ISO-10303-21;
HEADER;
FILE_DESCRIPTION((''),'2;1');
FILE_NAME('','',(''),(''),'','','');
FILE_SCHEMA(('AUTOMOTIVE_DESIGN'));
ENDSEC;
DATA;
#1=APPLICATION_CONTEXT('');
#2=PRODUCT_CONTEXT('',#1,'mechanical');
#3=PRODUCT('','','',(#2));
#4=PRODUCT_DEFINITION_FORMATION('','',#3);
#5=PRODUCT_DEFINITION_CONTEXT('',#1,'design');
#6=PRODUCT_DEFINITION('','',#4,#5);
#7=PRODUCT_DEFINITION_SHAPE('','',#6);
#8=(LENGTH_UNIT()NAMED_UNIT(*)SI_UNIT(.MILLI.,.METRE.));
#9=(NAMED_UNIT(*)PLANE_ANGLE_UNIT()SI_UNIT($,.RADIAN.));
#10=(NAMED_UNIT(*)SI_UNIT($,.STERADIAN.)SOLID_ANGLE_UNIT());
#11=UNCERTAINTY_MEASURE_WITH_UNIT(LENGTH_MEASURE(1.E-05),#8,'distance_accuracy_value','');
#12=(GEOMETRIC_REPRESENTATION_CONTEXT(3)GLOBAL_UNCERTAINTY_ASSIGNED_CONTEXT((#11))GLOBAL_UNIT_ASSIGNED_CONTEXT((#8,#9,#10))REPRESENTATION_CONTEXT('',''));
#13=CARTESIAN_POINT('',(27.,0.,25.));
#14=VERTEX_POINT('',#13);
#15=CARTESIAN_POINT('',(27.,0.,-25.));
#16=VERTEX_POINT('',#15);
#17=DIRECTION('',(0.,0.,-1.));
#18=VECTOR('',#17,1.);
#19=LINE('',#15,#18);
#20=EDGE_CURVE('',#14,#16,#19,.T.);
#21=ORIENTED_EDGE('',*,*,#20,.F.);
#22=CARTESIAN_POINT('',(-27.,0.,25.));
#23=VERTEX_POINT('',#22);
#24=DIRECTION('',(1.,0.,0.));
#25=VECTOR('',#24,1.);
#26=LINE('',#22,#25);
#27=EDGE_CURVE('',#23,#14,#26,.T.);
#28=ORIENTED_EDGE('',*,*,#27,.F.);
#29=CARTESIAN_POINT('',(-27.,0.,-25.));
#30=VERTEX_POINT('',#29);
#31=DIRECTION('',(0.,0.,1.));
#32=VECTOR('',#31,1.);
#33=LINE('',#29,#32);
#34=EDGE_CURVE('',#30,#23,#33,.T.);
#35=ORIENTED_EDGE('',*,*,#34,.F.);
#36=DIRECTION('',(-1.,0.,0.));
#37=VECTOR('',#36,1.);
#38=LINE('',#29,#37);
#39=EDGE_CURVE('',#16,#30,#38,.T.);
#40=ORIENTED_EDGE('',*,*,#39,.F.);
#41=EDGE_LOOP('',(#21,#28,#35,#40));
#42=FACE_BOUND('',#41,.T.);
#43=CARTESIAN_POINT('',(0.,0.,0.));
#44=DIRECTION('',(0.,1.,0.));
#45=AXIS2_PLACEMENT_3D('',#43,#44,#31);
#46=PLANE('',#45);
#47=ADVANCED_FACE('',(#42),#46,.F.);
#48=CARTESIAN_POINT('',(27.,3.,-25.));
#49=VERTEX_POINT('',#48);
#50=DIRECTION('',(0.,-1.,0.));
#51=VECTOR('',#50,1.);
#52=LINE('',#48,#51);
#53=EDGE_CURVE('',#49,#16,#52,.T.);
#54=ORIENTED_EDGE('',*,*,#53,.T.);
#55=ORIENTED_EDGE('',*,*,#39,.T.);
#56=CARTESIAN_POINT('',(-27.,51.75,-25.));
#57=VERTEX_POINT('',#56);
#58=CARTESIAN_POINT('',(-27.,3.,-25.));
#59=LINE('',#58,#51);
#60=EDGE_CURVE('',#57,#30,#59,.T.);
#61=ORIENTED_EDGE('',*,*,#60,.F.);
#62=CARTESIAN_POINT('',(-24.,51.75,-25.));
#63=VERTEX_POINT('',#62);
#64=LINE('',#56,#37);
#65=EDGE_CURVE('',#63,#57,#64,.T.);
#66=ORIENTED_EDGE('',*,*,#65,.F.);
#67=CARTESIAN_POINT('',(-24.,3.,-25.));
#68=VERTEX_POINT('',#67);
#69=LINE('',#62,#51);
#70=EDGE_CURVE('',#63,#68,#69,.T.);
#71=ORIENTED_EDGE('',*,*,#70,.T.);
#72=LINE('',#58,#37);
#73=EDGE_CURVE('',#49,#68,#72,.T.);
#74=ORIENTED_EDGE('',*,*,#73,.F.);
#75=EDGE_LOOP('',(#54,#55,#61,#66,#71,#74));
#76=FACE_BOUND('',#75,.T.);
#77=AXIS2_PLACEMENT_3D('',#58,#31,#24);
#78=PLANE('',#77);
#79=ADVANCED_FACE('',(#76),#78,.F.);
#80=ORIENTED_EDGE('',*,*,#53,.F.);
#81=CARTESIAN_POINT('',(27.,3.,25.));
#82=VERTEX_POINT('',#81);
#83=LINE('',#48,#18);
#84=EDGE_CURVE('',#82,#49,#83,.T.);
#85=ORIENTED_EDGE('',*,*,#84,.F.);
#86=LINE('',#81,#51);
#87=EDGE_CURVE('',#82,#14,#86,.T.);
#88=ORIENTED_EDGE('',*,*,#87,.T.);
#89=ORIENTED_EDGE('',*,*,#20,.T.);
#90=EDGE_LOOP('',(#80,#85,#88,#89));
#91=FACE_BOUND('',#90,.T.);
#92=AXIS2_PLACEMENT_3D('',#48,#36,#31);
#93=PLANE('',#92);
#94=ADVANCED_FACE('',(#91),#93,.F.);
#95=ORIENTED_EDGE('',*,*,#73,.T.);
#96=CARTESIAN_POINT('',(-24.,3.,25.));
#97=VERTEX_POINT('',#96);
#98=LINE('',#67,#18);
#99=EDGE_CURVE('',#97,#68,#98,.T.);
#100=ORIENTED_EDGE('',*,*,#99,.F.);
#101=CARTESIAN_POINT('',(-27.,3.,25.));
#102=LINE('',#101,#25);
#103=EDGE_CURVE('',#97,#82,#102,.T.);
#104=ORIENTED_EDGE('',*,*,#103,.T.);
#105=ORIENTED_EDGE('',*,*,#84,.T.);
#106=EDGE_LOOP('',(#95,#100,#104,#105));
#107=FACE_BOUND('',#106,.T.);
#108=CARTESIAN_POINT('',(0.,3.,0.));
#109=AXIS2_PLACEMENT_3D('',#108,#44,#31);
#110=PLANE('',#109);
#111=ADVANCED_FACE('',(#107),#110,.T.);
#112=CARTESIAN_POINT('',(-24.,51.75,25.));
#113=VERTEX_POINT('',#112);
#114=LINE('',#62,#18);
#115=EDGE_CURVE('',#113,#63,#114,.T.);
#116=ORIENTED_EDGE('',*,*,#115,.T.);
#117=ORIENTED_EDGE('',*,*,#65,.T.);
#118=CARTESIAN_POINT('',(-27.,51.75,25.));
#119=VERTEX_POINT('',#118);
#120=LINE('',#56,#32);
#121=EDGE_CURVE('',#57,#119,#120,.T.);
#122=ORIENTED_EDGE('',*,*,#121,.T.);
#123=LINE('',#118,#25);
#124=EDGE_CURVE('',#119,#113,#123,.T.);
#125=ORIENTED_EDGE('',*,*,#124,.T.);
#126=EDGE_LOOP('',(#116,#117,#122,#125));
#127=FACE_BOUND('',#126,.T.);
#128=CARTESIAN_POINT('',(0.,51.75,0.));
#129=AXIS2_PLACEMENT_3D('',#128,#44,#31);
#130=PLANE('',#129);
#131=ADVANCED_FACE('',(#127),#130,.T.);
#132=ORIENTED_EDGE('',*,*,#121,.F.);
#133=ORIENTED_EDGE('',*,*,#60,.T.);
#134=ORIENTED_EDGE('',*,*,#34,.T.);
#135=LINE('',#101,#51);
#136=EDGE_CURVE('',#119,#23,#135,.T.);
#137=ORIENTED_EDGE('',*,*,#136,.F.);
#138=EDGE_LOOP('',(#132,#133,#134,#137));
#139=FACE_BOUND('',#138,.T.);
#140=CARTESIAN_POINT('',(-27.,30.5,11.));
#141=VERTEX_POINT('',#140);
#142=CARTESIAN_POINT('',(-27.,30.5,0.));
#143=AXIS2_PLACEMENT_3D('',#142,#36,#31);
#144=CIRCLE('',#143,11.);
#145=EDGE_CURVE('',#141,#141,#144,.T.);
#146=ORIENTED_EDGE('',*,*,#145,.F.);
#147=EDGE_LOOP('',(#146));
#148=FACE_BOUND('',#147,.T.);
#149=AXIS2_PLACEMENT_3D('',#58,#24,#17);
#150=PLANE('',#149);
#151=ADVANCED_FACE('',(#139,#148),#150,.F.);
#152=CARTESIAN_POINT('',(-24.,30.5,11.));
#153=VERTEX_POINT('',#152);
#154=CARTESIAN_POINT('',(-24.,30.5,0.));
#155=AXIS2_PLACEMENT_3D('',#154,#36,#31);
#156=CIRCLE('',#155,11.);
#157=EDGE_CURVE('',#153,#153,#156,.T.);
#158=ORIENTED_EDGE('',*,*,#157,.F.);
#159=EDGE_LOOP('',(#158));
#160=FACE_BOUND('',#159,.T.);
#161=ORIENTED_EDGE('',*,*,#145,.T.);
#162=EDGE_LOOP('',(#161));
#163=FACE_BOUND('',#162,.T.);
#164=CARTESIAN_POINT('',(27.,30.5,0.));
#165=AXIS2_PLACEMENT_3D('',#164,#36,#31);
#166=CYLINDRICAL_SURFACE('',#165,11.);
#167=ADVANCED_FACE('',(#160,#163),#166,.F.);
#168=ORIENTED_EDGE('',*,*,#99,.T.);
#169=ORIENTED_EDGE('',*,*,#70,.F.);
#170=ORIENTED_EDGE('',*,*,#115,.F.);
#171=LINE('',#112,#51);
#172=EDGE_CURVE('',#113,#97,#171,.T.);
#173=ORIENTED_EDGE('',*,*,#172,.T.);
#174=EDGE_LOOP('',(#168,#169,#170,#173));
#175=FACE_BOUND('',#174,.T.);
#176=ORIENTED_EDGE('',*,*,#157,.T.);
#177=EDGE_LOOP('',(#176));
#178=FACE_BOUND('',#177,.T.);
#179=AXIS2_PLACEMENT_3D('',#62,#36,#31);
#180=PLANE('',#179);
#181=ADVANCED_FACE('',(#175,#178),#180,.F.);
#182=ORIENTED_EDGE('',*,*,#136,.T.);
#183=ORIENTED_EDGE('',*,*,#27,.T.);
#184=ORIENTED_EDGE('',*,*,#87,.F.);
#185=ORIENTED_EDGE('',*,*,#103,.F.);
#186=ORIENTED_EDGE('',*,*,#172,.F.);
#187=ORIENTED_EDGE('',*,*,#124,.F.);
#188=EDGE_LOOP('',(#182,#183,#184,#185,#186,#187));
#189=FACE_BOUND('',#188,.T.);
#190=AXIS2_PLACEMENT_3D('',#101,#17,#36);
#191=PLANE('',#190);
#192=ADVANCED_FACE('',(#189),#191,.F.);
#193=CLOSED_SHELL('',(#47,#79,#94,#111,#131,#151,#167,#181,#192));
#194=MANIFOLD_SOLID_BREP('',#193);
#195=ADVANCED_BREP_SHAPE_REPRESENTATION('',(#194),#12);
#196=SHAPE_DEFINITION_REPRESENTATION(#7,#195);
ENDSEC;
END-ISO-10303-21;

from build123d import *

# Parameters (mm, degrees)
SKETCH1_W           = 54
SKETCH1_H           = 50
BOSS_EXTRUDE1_DEPTH = 3
SKETCH2_W           = 3
SKETCH2_H           = 50
BOSS_EXTRUDE2_DEPTH = 48.75
SKETCH3_R           = 11
CUT_EXTRUDE1_DEPTH  = 55


with BuildPart() as part:
    # Sketch1 → Boss-Extrude1 (new body)
    with BuildSketch(Plane(origin=(0, 0, 0), x_dir=(1, 0, 0), z_dir=(0, 1, 0))):
        Rectangle(SKETCH1_W, SKETCH1_H)
    extrude(amount=BOSS_EXTRUDE1_DEPTH)

    # Sketch2 → Boss-Extrude2 (add)
    with BuildSketch(Plane(origin=(0, 3, 0), x_dir=(1, 0, 0), z_dir=(0, 1, 0))):
        with Locations((-25.5, 0)):
            Rectangle(SKETCH2_W, SKETCH2_H)
    extrude(amount=BOSS_EXTRUDE2_DEPTH)

    # Sketch3 → Cut-Extrude1 (cut, through all)
    with BuildSketch(Plane.ZY.offset(27)):
        with Locations((0, 30.5)):
            Circle(SKETCH3_R)
    extrude(amount=-CUT_EXTRUDE1_DEPTH, mode=Mode.SUBTRACT)


solid = part.part
